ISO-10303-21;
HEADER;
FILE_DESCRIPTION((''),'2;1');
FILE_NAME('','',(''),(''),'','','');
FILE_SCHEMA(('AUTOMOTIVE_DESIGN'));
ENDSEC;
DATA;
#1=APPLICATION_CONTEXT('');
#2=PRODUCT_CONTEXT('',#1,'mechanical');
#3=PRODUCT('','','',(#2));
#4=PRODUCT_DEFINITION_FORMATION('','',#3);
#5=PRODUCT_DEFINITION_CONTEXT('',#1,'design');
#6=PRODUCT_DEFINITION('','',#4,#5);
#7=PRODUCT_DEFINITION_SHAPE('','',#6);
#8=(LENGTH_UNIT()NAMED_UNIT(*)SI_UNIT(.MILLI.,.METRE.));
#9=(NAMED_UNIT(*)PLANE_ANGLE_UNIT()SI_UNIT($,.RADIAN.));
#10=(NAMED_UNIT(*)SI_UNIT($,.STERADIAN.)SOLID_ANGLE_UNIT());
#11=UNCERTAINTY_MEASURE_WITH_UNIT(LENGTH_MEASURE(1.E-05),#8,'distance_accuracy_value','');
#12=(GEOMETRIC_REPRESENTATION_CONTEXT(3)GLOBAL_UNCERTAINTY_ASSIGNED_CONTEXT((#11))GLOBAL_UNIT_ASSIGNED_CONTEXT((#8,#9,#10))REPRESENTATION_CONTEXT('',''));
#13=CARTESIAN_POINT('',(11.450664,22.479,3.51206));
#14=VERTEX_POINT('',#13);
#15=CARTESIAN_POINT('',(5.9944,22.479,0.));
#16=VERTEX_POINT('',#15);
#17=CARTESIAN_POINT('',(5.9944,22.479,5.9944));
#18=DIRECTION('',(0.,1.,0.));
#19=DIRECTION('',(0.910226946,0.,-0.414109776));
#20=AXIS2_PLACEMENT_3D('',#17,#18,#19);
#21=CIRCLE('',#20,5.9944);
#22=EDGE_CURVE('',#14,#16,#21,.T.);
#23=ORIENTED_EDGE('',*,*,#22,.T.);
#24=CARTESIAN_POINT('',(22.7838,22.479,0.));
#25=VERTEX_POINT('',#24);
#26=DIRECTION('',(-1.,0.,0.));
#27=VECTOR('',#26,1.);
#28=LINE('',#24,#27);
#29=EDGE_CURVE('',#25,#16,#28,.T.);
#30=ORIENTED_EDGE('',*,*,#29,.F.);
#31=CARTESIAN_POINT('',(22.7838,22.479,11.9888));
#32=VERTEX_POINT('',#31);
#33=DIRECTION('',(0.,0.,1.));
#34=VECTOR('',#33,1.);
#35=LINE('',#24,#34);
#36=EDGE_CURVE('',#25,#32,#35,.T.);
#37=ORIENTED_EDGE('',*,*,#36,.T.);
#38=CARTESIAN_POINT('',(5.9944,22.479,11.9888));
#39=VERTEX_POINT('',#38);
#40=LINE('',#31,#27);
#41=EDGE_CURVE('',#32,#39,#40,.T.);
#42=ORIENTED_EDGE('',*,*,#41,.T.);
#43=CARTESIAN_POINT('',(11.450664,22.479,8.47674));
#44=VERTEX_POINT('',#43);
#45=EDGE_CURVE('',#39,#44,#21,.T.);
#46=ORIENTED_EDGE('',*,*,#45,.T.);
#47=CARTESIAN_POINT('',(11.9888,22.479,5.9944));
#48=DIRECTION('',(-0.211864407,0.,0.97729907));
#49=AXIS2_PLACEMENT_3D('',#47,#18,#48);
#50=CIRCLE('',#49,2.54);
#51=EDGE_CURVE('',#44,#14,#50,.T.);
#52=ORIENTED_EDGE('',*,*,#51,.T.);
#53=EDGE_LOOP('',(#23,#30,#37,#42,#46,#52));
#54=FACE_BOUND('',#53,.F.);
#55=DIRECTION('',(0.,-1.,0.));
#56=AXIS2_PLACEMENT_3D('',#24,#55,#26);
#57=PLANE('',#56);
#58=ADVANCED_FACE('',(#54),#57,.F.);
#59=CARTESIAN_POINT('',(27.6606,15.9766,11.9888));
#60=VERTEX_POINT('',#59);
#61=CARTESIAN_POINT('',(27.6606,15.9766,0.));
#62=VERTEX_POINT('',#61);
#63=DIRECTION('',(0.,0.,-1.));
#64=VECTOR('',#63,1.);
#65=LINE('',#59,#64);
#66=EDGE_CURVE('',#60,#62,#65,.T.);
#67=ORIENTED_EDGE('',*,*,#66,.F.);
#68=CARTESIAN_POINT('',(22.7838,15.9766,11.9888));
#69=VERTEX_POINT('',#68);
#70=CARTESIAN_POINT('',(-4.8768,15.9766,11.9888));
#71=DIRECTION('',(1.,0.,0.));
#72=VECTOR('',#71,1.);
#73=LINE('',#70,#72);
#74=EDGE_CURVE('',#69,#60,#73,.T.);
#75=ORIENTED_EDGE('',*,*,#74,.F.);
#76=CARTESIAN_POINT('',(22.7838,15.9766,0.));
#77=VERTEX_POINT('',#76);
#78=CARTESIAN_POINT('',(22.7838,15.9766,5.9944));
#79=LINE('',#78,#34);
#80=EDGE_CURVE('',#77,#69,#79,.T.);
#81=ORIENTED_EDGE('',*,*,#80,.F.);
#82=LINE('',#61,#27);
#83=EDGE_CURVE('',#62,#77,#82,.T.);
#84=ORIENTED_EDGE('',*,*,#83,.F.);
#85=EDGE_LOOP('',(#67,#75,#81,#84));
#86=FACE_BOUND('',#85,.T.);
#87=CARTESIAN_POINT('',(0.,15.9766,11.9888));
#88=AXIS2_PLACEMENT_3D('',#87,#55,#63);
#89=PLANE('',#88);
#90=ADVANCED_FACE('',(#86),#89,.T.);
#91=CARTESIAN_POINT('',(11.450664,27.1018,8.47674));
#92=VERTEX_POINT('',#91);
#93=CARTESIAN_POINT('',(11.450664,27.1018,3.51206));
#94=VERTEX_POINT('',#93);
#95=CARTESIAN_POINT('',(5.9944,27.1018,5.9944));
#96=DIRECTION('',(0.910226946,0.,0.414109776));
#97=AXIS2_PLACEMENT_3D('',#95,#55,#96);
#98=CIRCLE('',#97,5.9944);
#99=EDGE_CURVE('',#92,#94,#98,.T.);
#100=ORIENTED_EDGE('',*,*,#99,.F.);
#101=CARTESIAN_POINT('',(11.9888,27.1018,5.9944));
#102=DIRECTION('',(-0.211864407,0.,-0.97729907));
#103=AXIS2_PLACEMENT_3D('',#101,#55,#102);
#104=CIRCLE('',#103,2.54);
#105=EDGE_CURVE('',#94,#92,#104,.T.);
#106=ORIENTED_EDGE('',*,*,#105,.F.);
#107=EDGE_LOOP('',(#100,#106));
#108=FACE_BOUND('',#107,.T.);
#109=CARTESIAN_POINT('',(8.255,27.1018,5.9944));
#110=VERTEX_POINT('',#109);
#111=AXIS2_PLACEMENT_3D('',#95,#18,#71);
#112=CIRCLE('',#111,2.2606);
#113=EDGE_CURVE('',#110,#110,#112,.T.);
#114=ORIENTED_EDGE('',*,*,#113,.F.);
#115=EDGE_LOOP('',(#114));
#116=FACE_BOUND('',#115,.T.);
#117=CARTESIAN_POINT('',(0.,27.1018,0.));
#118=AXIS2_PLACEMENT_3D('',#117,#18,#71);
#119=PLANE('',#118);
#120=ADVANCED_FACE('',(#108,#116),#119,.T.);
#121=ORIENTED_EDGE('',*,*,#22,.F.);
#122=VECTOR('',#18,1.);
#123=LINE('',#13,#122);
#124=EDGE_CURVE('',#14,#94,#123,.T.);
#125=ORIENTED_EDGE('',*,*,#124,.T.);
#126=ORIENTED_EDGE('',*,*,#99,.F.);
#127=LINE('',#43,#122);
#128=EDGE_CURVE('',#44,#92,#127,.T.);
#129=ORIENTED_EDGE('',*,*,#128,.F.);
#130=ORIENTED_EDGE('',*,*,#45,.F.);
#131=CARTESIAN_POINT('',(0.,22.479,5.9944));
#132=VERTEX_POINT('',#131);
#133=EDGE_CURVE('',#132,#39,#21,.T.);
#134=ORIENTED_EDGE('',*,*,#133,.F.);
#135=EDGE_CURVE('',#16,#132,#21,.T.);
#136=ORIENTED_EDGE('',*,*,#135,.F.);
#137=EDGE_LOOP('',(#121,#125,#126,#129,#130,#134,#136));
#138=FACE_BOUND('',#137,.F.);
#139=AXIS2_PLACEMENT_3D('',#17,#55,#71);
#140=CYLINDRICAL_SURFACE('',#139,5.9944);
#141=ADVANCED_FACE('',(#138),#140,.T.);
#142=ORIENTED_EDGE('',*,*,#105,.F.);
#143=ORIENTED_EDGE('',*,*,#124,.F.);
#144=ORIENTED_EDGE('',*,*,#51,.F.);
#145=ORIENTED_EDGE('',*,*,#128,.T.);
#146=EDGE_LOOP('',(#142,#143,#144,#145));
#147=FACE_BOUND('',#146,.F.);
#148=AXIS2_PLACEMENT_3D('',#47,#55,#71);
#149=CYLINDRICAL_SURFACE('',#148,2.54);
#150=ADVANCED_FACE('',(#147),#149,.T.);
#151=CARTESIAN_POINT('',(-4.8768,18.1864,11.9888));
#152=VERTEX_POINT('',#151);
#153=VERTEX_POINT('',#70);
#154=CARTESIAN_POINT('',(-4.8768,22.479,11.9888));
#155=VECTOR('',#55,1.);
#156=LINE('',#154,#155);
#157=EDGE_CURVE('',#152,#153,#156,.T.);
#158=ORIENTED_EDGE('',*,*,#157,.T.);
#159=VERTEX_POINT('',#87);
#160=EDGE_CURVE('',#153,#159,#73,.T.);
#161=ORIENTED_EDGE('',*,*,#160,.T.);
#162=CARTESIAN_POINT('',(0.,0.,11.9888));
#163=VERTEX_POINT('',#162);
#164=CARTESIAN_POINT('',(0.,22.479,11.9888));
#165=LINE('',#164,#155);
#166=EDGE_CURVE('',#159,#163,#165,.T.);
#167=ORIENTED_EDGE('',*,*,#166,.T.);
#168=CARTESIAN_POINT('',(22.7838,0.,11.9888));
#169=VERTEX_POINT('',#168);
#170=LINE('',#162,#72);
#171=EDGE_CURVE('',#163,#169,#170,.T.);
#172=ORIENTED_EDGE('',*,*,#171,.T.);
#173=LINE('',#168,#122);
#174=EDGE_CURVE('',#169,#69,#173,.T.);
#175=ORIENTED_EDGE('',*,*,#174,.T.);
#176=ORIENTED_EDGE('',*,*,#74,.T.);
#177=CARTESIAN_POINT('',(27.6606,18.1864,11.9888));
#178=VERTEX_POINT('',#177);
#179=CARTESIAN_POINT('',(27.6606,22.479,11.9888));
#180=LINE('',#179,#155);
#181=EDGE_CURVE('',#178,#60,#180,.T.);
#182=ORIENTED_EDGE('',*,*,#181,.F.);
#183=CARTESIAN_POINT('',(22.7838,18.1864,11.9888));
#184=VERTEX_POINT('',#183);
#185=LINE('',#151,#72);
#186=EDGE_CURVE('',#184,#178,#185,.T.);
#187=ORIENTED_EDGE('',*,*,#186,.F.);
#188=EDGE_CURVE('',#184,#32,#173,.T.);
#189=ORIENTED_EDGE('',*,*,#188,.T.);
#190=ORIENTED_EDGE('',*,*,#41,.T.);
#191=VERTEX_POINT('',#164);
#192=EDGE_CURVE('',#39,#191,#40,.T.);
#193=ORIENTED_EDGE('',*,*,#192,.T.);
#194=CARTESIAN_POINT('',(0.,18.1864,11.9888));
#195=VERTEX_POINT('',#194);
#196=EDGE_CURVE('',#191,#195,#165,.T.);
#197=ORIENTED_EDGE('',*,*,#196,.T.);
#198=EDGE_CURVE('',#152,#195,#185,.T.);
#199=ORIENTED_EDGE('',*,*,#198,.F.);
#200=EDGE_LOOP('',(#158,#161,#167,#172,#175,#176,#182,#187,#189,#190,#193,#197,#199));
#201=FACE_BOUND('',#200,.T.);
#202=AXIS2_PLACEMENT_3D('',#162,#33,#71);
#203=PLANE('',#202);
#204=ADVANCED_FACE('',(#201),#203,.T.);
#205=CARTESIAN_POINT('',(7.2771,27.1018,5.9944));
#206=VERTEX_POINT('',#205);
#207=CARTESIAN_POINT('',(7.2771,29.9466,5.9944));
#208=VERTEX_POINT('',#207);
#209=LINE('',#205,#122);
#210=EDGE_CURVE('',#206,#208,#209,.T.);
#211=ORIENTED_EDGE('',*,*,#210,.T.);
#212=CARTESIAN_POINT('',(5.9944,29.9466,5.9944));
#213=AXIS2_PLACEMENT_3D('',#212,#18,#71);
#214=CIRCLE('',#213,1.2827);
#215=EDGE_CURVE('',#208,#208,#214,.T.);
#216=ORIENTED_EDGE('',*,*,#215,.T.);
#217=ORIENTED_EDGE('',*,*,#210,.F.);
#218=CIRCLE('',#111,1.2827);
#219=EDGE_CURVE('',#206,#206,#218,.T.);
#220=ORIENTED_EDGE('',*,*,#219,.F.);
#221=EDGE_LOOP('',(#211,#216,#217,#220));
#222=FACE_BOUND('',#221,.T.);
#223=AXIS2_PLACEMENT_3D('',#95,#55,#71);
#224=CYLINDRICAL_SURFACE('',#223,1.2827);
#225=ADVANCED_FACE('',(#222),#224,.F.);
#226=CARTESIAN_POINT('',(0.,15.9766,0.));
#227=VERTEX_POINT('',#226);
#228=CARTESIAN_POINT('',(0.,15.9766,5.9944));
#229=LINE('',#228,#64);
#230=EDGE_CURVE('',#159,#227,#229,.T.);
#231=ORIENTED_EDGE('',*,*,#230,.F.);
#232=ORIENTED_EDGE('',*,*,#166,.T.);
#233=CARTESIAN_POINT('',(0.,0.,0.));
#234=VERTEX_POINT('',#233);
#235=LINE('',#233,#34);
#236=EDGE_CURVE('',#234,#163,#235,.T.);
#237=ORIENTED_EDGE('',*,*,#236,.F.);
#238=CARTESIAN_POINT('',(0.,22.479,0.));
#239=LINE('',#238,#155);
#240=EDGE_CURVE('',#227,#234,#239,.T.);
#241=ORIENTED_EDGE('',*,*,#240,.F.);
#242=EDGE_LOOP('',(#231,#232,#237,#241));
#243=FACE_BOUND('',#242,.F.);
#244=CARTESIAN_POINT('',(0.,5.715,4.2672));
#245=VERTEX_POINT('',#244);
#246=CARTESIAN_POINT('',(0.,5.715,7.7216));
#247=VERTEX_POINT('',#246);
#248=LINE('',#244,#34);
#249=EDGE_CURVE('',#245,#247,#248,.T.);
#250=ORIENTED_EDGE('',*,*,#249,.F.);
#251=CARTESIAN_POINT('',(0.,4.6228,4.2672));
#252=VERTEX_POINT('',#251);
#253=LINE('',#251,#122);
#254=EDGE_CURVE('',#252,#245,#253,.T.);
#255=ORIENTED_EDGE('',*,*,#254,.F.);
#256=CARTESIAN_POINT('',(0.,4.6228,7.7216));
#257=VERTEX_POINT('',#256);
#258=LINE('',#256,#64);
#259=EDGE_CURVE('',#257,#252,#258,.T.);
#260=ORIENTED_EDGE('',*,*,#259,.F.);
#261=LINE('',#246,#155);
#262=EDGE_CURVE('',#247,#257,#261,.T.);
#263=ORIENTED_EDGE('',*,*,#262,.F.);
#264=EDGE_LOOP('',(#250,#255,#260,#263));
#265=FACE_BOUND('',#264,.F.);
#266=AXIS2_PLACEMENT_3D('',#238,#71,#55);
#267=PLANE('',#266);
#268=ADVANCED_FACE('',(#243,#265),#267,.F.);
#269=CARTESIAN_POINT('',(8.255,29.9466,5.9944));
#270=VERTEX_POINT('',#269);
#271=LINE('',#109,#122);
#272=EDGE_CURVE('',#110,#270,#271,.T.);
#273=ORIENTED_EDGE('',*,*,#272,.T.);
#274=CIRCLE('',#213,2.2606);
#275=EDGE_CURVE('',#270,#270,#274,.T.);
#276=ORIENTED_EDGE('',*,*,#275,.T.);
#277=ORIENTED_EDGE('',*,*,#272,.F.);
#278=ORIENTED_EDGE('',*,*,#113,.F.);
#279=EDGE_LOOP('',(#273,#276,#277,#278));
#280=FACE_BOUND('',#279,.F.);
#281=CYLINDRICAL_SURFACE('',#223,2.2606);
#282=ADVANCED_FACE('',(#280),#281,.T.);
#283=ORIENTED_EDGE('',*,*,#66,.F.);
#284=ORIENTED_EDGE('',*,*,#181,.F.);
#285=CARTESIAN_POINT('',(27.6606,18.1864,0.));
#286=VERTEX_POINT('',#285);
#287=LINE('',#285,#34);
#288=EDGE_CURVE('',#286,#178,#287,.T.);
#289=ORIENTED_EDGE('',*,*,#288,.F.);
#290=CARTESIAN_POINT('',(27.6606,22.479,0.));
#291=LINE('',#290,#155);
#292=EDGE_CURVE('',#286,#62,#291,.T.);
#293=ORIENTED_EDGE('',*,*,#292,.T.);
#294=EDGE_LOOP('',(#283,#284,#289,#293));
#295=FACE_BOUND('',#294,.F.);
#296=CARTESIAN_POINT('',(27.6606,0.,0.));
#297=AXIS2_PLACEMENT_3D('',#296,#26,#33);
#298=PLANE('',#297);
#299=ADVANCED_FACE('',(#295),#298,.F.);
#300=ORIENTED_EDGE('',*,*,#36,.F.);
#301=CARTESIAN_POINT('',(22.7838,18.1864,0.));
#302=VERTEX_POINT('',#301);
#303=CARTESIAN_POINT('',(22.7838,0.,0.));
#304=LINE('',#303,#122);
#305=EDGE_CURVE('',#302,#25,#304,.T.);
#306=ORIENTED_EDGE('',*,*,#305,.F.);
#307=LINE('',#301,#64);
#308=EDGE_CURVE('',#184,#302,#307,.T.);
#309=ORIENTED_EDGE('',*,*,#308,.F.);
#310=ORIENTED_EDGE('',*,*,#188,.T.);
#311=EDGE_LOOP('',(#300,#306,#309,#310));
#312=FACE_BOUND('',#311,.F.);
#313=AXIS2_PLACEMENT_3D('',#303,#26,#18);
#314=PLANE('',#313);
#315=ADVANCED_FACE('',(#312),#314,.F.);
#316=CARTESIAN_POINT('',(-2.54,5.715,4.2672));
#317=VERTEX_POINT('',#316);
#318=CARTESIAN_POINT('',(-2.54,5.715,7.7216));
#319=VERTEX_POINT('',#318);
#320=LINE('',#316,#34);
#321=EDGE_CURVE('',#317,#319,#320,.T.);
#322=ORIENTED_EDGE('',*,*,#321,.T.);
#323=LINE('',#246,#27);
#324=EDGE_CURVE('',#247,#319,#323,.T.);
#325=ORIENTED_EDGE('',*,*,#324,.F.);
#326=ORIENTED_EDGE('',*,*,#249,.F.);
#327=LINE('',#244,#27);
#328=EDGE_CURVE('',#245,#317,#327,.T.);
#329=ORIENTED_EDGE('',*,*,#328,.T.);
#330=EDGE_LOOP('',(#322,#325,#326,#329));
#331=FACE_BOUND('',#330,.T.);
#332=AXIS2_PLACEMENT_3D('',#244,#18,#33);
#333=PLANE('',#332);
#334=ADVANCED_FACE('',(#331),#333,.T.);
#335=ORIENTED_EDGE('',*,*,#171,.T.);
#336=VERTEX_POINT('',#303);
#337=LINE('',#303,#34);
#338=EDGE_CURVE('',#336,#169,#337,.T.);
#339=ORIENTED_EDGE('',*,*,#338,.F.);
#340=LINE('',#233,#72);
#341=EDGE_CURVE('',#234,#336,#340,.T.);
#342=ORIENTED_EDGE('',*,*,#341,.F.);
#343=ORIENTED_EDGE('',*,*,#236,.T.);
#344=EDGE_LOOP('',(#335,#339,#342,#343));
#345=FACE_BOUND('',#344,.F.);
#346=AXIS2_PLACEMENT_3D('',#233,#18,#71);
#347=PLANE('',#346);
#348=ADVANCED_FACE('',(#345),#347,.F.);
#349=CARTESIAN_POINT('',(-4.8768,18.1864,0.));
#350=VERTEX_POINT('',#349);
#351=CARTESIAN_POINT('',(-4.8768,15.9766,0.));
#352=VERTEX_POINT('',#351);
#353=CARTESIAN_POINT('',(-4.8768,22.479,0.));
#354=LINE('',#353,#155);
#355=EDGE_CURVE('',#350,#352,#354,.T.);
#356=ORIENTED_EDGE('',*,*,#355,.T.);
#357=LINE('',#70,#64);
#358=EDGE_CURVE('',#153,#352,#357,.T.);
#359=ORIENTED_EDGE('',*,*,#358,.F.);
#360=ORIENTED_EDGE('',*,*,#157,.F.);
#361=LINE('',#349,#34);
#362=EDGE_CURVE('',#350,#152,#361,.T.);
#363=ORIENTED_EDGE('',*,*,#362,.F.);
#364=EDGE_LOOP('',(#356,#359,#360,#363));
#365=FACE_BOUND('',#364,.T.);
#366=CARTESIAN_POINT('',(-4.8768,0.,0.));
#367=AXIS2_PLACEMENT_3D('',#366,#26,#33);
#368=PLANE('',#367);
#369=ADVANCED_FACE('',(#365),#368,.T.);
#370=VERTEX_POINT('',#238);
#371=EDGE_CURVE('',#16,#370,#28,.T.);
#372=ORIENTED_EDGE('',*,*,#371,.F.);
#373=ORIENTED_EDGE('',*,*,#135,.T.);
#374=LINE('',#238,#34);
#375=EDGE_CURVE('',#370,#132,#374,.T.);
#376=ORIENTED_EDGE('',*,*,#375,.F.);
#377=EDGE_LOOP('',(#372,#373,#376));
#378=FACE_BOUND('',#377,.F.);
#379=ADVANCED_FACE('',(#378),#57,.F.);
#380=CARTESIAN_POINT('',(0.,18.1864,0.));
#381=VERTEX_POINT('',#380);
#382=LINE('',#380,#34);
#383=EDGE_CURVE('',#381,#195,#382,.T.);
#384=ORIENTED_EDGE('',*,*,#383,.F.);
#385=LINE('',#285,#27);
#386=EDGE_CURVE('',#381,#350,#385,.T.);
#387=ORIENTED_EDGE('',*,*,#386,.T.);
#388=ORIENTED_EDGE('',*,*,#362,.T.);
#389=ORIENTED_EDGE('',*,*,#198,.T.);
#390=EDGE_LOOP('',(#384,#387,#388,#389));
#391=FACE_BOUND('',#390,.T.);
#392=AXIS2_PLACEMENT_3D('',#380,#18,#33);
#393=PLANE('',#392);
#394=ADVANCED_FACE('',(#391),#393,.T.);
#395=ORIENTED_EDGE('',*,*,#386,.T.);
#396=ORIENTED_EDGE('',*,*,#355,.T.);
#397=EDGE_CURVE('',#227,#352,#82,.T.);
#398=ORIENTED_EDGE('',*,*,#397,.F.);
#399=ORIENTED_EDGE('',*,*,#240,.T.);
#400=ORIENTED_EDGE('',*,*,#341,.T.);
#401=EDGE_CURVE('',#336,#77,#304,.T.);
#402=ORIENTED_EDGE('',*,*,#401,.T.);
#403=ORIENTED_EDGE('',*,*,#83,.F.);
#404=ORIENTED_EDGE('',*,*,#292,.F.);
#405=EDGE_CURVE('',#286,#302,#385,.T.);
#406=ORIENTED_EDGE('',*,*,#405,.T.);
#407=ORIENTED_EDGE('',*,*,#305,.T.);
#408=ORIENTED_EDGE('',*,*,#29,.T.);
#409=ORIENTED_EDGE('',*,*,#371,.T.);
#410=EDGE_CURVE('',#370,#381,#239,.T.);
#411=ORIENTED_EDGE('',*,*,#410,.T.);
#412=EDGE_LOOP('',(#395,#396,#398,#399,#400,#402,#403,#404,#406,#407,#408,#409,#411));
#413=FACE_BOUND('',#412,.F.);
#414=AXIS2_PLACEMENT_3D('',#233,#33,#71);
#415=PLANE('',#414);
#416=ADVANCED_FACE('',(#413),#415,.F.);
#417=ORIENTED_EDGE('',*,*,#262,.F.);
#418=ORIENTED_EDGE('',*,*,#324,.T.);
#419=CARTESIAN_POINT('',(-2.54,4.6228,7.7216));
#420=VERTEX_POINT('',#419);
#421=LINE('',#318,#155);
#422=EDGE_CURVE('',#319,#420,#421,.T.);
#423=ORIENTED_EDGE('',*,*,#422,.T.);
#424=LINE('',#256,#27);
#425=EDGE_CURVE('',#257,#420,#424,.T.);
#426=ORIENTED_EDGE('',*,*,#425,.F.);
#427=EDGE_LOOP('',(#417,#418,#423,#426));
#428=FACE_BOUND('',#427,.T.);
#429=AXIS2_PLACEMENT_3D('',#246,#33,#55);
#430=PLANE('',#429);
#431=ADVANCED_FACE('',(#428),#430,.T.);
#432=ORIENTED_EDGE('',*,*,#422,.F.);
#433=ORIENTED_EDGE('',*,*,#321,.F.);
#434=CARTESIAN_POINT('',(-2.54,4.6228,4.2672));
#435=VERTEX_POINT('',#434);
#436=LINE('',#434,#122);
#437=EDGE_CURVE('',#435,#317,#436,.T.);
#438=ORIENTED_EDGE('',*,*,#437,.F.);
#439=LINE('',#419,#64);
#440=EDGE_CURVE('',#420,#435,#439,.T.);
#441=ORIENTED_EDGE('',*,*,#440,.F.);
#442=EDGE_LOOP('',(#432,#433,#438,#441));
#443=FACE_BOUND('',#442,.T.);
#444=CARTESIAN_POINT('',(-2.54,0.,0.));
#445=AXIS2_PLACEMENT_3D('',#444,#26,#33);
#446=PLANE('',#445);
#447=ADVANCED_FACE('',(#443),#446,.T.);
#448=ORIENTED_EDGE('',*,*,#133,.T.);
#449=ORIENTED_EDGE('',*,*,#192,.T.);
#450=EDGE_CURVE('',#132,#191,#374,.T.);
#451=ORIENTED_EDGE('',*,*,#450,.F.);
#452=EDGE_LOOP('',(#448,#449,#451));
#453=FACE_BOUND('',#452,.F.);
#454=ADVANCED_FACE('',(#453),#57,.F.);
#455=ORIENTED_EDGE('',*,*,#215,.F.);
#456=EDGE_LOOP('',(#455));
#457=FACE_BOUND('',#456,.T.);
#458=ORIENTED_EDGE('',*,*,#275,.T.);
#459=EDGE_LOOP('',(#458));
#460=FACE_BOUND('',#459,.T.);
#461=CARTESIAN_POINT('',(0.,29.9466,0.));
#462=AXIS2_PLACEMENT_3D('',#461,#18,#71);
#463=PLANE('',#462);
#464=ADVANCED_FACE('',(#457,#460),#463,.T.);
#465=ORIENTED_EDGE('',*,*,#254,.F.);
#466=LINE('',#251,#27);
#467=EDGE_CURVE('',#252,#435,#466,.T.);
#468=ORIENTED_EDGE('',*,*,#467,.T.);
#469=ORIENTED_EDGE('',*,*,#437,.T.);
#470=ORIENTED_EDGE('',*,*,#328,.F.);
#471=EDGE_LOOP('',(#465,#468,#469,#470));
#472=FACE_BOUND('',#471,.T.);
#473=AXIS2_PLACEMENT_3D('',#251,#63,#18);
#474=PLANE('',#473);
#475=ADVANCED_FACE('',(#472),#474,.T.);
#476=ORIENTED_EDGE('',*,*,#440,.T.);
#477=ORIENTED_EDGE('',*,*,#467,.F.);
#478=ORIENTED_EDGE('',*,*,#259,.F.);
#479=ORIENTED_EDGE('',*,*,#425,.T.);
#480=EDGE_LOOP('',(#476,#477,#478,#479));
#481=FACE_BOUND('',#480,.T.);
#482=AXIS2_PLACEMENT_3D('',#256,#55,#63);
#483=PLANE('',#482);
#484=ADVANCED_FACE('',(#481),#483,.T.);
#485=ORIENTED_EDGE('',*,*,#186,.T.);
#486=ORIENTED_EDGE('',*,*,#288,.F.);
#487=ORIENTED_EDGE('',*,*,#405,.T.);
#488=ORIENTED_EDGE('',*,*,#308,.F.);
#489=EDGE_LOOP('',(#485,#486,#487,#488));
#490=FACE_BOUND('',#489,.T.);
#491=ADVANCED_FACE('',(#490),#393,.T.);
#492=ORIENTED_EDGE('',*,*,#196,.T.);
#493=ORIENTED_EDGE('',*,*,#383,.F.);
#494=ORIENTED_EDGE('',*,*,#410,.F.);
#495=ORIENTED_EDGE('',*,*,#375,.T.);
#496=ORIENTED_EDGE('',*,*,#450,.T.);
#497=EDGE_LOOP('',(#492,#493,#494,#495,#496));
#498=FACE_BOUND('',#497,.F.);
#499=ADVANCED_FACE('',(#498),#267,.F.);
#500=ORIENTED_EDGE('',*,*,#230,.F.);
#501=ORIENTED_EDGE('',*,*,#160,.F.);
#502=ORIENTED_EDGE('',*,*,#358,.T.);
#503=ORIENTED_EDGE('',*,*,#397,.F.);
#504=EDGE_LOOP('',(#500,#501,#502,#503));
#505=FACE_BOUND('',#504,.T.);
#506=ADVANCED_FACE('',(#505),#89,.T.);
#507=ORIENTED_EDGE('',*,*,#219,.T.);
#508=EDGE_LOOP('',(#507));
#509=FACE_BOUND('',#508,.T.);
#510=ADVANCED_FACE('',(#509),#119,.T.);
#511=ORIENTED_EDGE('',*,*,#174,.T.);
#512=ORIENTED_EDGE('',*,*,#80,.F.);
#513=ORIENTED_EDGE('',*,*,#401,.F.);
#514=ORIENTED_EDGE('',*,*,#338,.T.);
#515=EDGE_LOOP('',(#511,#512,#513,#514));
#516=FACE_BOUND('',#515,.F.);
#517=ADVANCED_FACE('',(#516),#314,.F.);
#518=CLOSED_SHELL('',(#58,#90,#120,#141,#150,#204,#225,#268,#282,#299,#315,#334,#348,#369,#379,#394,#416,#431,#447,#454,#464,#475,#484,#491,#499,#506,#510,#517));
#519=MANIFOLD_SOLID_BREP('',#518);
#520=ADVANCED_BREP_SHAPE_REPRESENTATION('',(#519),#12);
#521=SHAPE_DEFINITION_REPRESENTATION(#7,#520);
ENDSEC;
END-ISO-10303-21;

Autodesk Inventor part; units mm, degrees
ref_plane "YZ Plane" through (0, 0, 0) normal (1, 0, 0) x (0, 1, 0)
ref_plane "XZ Plane" through (0, 0, 0) normal (0, 1, 0) x (-1, 0, 0)
ref_plane "XY Plane" through (0, 0, 0) normal (0, 0, 1) x (1, 0, 0)
sketch "Sketch1" plane through (0, 0, 0) normal (0, 0, 1) x (1, 0, 0)
  line L0 (0, 0) -> (22.7838, 0)
  line L1 (22.7838, 0) -> (22.7838, 22.479)
  line L2 (22.7838, 22.479) -> (0, 22.479)
  line L3 (0, 22.479) -> (0, 0)
  dimension "d0" = 22.7838
  dimension "d1" = 22.479
extrude "Extrusion1" add sketch "Sketch1" along normal blind 11.9888
sketch "Sketch2" plane through (0, 0, 0) normal (-1, 0, 0) x (0, 0, 1)
  line L0 (0, 22.479) -> (11.9888, 22.479) projected
  line L1 (0, 22.479) -> (0, 0) projected
  line L2 (0, 0) -> (11.9888, 0) projected
  line L3 (11.9888, 22.479) -> (11.9888, 0) projected
  line L4 (0, 22.479) -> (11.9888, 22.479) projected
  line L5 (0, 0) -> (0, 22.479) projected
  line L6 (11.9888, 0) -> (11.9888, 22.479) projected
  line L7 (0, 18.1864) -> (11.9888, 18.1864)
  line L8 (11.9888, 18.1864) -> (11.9888, 15.9766)
  line L9 (11.9888, 15.9766) -> (0, 15.9766)
  line L10 (0, 15.9766) -> (0, 18.1864)
  dimension "d4" = 2.2098
  dimension "d5" = 4.2926
extrude "Extrusion2" add sketch "Sketch2" along normal blind 4.8768 and the other way blind 27.6606 contours L7 L3 L9 L1
sketch "Sketch3" plane through (0, 0, 0) normal (-1, 0, 0) x (0, 0, 1)
  line L0 (0, 15.9766) -> (0, 0) projected
  line L1 (0, 0) -> (11.9888, 0) projected
  line L2 (4.2672, 5.715) -> (7.7216, 5.715)
  line L3 (7.7216, 5.715) -> (7.7216, 4.6228)
  line L4 (7.7216, 4.6228) -> (4.2672, 4.6228)
  line L5 (4.2672, 4.6228) -> (4.2672, 5.715)
  dimension "d10" = 3.4544
  dimension "d11" = 1.0922
  dimension "d12" = 4.6228
  dimension "d13" = 4.2672
extrude "Extrusion3" add sketch "Sketch3" along normal blind 2.54
sketch "Sketch4" plane through (0, 22.479, 0) normal (0, 1, 0) x (1, 0, 0)
  line L0 (22.7838, 0) -> (0, 0) projected
  line L1 (0, 0) -> (0, -11.9888) projected
  line L2 (22.7838, -11.9888) -> (0, -11.9888) projected
  circle A0 centre (5.9944, -5.9944) radius 5.9944
  circle A1 centre (11.9888, -5.9944) radius 2.54
  dimension "d17" = 5.08
extrude "Extrusion4" add sketch "Sketch4" along normal blind 4.6228 contours A0 A1 | A1 A0 | A0 A1
sketch "Sketch5" plane through (0, 27.1018, 0) normal (0, 1, 0) x (1, 0, 0)
  arc A0 (11.4507, -3.5121) -> (11.4507, -8.4767) centre (5.9944, -5.9944) ccw projected
  circle A1 centre (5.9944, -5.9944) radius 2.2606
  circle A2 centre (5.9944, -5.9944) radius 1.2827
  point P0 (0, 0)
  dimension "d20" = 4.5212
  dimension "d21" = 2.5654
extrude "Extrusion5" add sketch "Sketch5" along normal blind 2.8448
properties part number "servo body"
